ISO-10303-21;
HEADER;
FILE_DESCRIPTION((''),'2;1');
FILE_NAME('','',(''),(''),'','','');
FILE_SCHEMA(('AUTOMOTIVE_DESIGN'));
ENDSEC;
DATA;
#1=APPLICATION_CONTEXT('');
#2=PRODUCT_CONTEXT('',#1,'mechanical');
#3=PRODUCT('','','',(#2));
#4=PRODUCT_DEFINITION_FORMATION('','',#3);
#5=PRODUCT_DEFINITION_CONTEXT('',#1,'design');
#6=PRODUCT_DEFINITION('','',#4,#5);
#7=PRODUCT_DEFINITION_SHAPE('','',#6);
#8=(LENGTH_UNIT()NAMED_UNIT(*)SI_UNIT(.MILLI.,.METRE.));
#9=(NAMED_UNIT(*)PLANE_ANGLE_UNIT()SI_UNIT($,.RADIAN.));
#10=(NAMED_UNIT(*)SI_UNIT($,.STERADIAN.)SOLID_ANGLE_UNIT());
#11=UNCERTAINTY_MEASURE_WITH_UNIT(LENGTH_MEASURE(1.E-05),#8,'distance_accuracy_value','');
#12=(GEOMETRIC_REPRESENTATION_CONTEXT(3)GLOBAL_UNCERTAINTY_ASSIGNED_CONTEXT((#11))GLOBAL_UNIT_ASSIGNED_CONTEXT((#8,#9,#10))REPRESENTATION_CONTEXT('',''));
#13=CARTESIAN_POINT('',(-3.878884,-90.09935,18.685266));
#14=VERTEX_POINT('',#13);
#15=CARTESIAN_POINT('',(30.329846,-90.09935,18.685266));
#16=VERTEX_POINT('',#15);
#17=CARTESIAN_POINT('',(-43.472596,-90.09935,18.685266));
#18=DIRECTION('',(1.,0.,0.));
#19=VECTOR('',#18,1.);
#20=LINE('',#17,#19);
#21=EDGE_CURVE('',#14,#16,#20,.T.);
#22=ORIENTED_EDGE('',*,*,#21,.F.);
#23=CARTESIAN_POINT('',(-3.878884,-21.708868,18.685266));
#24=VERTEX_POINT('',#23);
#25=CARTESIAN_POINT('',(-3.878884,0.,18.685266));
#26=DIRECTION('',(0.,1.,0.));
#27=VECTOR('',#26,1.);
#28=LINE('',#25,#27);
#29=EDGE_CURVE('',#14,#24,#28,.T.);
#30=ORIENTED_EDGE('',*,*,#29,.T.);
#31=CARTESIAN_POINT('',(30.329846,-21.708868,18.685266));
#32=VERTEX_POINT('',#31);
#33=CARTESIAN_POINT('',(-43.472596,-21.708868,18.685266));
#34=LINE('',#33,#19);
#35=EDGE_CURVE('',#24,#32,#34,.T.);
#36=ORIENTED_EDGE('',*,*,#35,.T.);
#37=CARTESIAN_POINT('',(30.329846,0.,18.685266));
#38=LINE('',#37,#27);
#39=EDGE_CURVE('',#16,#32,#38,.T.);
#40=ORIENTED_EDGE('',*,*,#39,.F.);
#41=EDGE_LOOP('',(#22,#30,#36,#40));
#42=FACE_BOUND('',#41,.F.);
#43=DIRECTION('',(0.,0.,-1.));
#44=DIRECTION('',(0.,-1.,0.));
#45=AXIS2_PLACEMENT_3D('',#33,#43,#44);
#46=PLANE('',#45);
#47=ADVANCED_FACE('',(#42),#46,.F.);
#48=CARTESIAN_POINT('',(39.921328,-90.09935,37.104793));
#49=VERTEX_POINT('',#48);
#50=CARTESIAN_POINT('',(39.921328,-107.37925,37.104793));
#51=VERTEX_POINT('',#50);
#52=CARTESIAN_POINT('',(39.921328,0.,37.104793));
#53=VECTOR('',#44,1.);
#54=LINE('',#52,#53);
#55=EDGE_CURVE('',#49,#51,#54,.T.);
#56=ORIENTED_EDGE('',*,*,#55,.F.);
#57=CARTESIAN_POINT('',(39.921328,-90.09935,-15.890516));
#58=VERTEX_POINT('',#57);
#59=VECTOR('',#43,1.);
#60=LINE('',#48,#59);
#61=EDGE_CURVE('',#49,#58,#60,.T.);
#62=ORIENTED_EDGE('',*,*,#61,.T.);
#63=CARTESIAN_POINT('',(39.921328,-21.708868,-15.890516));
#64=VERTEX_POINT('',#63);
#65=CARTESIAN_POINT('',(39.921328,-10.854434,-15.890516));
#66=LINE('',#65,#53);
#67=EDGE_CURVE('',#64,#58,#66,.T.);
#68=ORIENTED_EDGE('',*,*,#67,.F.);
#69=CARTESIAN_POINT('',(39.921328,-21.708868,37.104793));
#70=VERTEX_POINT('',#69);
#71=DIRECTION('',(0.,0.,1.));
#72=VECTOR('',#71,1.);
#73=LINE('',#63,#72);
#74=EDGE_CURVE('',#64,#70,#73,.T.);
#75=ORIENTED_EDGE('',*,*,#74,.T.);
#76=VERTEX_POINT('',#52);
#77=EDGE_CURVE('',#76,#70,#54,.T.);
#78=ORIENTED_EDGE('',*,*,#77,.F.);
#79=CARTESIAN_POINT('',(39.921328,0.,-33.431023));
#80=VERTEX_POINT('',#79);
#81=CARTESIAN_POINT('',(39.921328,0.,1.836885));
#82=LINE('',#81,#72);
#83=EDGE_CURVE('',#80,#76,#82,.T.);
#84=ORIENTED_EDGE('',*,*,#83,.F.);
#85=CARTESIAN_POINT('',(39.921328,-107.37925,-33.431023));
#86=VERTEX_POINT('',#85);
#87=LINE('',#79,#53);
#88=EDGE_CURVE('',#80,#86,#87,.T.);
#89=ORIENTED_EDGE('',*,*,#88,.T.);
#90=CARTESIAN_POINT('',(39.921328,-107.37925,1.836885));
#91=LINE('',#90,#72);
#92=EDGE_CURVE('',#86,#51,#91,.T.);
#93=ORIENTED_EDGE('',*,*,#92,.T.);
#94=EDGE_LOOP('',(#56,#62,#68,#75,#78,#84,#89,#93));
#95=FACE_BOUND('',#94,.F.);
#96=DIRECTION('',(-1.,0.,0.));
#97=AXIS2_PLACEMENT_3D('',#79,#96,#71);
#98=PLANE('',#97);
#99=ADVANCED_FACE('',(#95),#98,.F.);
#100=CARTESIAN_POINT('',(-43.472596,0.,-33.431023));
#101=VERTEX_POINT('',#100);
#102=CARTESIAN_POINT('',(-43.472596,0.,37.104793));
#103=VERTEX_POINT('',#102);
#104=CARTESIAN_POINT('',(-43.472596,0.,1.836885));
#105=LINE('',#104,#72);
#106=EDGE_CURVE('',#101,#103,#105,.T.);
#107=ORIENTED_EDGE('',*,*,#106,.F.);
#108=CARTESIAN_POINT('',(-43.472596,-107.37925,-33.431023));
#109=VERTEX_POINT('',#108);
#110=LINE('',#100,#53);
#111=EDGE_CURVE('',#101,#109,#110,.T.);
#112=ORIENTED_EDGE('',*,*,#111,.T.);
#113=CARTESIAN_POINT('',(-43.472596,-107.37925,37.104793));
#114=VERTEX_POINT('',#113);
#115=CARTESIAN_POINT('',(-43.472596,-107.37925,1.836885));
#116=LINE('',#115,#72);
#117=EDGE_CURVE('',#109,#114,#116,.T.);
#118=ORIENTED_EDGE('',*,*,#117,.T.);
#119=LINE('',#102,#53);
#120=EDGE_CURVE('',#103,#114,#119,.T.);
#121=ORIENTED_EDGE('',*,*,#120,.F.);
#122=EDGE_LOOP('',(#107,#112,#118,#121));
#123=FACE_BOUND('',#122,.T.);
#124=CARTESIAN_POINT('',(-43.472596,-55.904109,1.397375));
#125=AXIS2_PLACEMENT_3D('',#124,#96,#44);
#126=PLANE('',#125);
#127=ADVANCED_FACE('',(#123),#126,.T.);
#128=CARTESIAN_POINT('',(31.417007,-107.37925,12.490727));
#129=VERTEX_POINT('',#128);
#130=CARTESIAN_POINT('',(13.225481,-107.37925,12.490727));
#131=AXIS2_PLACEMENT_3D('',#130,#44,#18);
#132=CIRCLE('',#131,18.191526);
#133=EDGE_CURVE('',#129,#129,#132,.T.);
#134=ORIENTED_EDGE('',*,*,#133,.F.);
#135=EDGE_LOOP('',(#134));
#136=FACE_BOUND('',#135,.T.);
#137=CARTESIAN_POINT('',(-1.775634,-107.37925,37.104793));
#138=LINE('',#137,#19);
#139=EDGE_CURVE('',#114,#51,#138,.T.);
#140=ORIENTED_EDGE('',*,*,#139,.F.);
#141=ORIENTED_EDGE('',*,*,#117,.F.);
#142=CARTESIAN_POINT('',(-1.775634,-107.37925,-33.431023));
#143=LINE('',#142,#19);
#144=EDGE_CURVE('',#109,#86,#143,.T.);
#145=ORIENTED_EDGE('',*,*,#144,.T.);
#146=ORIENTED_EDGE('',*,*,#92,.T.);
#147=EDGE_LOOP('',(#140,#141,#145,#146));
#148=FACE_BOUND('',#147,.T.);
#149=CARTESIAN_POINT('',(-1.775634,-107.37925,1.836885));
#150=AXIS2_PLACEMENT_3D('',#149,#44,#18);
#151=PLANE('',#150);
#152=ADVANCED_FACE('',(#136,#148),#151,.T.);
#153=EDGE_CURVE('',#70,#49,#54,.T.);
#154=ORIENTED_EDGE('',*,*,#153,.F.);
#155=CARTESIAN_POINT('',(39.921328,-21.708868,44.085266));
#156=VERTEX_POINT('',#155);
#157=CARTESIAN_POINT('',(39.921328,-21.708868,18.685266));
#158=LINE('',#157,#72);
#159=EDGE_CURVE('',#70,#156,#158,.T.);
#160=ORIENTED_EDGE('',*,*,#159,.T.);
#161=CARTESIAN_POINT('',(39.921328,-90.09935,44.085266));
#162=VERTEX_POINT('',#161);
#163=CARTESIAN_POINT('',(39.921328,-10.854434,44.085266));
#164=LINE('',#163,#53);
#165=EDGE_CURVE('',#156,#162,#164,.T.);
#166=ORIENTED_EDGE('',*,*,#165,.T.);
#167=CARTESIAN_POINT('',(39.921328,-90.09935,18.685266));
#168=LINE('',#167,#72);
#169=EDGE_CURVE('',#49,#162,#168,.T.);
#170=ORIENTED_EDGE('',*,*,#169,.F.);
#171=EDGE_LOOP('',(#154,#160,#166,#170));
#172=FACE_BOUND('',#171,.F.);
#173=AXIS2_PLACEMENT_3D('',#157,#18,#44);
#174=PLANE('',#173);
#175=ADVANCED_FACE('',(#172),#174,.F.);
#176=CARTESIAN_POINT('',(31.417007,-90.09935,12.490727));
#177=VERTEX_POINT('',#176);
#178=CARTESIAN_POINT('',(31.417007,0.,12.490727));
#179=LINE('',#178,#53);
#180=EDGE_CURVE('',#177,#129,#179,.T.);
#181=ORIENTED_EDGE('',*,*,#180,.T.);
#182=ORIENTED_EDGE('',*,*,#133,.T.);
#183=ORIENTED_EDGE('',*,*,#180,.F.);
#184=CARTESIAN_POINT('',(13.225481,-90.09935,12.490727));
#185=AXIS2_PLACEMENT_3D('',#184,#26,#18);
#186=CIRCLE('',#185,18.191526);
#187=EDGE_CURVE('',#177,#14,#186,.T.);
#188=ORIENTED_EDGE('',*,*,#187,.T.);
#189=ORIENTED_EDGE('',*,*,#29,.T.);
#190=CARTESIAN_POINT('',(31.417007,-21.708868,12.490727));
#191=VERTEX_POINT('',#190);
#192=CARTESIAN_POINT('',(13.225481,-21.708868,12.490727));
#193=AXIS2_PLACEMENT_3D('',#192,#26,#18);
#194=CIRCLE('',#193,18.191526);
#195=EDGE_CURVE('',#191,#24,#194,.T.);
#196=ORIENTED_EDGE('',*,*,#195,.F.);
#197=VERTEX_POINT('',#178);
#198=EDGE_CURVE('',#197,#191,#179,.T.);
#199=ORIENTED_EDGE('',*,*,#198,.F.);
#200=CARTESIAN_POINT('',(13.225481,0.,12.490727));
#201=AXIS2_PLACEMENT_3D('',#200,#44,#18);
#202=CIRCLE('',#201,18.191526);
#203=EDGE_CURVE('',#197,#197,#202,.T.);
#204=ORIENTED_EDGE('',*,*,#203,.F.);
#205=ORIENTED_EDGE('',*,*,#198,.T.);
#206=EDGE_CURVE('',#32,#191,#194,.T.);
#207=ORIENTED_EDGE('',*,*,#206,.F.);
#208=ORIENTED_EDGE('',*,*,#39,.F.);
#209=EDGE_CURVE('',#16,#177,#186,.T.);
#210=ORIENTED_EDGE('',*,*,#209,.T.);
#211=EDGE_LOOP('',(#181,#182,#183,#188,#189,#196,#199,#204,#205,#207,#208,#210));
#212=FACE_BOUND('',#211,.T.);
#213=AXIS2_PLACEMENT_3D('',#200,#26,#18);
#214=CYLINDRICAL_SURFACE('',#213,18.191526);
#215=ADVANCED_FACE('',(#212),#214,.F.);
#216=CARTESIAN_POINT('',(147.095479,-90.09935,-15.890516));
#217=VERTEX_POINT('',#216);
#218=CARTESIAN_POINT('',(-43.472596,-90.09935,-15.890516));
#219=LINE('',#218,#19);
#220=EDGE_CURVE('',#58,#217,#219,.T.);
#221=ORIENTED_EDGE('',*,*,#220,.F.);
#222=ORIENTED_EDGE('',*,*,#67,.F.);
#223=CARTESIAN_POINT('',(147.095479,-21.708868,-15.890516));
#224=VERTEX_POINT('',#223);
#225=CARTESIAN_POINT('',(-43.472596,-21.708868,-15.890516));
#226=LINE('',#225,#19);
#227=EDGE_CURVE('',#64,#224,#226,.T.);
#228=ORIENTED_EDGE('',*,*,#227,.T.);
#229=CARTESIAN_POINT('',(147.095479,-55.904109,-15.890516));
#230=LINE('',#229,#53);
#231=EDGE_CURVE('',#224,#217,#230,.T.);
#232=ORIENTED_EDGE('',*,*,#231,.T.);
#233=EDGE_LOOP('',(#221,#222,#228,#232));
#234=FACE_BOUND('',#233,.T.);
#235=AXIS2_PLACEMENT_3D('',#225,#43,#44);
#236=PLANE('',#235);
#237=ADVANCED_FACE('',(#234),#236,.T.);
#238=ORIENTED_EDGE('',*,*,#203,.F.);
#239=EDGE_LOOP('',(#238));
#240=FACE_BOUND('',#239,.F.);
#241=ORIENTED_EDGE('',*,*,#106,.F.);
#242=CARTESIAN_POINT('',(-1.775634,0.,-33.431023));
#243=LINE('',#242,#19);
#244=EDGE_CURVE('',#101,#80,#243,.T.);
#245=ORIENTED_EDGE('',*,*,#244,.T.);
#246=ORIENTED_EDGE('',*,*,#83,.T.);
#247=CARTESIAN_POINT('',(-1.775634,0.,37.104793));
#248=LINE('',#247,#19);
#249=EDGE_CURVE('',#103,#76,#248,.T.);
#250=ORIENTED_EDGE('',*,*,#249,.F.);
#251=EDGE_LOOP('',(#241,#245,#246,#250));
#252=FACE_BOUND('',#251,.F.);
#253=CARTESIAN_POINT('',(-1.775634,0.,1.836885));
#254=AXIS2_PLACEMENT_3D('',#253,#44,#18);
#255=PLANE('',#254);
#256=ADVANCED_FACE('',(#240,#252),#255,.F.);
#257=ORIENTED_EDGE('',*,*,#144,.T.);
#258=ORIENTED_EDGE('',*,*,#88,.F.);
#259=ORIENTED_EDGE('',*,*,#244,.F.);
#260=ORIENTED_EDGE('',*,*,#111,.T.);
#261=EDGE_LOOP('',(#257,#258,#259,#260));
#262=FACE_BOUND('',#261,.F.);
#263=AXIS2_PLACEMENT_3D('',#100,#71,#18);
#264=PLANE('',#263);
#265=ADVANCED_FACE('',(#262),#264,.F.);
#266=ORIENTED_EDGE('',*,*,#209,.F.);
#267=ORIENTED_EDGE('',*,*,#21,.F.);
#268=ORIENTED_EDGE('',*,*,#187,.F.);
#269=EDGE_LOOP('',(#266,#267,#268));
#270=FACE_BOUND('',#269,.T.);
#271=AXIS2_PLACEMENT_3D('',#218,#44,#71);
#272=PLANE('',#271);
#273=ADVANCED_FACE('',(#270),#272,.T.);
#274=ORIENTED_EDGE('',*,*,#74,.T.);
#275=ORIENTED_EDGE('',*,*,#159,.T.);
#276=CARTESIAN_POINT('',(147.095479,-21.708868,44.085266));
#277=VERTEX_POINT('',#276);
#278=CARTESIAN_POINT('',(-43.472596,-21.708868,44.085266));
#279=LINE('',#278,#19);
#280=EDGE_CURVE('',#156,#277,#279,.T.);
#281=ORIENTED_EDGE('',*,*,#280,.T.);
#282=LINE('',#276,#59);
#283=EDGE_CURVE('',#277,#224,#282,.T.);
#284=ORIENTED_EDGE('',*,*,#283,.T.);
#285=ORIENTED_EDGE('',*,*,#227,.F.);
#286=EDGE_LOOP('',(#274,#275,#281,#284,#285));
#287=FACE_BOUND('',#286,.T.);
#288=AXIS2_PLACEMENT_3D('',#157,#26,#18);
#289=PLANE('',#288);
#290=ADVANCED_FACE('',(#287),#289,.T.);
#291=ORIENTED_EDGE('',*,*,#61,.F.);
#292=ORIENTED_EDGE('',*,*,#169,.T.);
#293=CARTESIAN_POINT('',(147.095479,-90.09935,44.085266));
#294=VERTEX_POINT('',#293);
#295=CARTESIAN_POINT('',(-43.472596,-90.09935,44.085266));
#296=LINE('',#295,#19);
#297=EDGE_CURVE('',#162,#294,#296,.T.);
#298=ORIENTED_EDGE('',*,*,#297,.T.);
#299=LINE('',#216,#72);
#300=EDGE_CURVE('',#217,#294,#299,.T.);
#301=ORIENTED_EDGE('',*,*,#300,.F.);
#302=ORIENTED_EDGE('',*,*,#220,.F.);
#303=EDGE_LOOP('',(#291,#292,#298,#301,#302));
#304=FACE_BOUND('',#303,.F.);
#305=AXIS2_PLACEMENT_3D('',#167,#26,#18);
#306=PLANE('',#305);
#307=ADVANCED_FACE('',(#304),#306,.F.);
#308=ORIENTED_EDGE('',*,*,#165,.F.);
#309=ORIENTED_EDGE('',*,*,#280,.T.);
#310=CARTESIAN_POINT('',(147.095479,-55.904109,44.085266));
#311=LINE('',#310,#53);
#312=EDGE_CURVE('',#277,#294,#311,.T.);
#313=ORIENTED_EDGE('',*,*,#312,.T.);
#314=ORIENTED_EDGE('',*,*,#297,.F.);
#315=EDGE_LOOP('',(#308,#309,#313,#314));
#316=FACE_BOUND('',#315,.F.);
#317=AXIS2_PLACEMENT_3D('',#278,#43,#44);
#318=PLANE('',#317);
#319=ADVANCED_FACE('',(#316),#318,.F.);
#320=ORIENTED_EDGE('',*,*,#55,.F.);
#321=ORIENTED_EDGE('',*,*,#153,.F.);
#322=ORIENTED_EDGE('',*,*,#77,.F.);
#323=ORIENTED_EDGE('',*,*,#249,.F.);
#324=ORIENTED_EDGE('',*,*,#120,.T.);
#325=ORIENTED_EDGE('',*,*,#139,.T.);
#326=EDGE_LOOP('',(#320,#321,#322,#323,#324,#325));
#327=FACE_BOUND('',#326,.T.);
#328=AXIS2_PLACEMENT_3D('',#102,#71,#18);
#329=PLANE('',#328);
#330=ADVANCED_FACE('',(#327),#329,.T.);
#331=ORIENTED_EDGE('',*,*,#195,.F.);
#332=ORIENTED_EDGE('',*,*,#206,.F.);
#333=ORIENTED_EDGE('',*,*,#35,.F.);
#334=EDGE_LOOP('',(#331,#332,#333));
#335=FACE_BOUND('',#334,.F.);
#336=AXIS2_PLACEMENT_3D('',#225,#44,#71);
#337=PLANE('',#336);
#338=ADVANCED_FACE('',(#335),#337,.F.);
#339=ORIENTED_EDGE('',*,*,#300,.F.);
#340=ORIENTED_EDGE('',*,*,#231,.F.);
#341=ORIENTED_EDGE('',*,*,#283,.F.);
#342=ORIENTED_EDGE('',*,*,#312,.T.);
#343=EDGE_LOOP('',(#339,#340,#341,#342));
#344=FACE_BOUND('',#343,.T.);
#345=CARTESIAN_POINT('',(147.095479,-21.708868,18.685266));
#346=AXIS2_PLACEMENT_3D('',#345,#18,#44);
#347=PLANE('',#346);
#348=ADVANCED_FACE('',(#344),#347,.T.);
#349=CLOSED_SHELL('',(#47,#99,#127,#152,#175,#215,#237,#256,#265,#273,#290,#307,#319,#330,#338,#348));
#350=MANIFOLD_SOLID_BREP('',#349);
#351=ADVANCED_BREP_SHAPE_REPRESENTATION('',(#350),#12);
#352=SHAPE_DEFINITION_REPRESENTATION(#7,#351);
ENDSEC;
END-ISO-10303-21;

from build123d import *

# Parameters (mm, degrees)
F1_W     = 83.3939239383
F1_H     = 70.5358162522
F1_R     = 18.1915256805
F2_DEPTH = 107.3792502284
F3_W     = 68.390481174
F3_H     = 34.5757827163
F4_DEPTH = 190.568074584
F5_DEPTH = 25.4


with BuildPart() as f2:
    # F1 (on face) → F2 (new body)
    with BuildSketch(Plane.XZ):
        with Locations((-1.7756335437, 1.8368847668)):
            Rectangle(F1_W, F1_H)
        with Locations((13.2254809141, 12.4907270074)):
            Circle(F1_R, mode=Mode.SUBTRACT)
    extrude(amount=F2_DEPTH)

    # F3 (on face) → F4 (join)
    with BuildSketch(Plane(origin=(-43.4725955129, 0, 0), x_dir=(0, -1, 0), z_dir=(-1, 0, 0))):
        with Locations((55.904109031, 1.3973750174)):
            Rectangle(F3_W, F3_H)
    extrude(amount=-F4_DEPTH)

    # F5 (add): a face of the model
    f5_faces = [f2.faces().sort_by_distance(p)[0] for p in [
        (93.5084037483, -55.904109031, 18.6852663755),
    ]]
    extrude(f5_faces, amount=F5_DEPTH)


solid = f2.part
